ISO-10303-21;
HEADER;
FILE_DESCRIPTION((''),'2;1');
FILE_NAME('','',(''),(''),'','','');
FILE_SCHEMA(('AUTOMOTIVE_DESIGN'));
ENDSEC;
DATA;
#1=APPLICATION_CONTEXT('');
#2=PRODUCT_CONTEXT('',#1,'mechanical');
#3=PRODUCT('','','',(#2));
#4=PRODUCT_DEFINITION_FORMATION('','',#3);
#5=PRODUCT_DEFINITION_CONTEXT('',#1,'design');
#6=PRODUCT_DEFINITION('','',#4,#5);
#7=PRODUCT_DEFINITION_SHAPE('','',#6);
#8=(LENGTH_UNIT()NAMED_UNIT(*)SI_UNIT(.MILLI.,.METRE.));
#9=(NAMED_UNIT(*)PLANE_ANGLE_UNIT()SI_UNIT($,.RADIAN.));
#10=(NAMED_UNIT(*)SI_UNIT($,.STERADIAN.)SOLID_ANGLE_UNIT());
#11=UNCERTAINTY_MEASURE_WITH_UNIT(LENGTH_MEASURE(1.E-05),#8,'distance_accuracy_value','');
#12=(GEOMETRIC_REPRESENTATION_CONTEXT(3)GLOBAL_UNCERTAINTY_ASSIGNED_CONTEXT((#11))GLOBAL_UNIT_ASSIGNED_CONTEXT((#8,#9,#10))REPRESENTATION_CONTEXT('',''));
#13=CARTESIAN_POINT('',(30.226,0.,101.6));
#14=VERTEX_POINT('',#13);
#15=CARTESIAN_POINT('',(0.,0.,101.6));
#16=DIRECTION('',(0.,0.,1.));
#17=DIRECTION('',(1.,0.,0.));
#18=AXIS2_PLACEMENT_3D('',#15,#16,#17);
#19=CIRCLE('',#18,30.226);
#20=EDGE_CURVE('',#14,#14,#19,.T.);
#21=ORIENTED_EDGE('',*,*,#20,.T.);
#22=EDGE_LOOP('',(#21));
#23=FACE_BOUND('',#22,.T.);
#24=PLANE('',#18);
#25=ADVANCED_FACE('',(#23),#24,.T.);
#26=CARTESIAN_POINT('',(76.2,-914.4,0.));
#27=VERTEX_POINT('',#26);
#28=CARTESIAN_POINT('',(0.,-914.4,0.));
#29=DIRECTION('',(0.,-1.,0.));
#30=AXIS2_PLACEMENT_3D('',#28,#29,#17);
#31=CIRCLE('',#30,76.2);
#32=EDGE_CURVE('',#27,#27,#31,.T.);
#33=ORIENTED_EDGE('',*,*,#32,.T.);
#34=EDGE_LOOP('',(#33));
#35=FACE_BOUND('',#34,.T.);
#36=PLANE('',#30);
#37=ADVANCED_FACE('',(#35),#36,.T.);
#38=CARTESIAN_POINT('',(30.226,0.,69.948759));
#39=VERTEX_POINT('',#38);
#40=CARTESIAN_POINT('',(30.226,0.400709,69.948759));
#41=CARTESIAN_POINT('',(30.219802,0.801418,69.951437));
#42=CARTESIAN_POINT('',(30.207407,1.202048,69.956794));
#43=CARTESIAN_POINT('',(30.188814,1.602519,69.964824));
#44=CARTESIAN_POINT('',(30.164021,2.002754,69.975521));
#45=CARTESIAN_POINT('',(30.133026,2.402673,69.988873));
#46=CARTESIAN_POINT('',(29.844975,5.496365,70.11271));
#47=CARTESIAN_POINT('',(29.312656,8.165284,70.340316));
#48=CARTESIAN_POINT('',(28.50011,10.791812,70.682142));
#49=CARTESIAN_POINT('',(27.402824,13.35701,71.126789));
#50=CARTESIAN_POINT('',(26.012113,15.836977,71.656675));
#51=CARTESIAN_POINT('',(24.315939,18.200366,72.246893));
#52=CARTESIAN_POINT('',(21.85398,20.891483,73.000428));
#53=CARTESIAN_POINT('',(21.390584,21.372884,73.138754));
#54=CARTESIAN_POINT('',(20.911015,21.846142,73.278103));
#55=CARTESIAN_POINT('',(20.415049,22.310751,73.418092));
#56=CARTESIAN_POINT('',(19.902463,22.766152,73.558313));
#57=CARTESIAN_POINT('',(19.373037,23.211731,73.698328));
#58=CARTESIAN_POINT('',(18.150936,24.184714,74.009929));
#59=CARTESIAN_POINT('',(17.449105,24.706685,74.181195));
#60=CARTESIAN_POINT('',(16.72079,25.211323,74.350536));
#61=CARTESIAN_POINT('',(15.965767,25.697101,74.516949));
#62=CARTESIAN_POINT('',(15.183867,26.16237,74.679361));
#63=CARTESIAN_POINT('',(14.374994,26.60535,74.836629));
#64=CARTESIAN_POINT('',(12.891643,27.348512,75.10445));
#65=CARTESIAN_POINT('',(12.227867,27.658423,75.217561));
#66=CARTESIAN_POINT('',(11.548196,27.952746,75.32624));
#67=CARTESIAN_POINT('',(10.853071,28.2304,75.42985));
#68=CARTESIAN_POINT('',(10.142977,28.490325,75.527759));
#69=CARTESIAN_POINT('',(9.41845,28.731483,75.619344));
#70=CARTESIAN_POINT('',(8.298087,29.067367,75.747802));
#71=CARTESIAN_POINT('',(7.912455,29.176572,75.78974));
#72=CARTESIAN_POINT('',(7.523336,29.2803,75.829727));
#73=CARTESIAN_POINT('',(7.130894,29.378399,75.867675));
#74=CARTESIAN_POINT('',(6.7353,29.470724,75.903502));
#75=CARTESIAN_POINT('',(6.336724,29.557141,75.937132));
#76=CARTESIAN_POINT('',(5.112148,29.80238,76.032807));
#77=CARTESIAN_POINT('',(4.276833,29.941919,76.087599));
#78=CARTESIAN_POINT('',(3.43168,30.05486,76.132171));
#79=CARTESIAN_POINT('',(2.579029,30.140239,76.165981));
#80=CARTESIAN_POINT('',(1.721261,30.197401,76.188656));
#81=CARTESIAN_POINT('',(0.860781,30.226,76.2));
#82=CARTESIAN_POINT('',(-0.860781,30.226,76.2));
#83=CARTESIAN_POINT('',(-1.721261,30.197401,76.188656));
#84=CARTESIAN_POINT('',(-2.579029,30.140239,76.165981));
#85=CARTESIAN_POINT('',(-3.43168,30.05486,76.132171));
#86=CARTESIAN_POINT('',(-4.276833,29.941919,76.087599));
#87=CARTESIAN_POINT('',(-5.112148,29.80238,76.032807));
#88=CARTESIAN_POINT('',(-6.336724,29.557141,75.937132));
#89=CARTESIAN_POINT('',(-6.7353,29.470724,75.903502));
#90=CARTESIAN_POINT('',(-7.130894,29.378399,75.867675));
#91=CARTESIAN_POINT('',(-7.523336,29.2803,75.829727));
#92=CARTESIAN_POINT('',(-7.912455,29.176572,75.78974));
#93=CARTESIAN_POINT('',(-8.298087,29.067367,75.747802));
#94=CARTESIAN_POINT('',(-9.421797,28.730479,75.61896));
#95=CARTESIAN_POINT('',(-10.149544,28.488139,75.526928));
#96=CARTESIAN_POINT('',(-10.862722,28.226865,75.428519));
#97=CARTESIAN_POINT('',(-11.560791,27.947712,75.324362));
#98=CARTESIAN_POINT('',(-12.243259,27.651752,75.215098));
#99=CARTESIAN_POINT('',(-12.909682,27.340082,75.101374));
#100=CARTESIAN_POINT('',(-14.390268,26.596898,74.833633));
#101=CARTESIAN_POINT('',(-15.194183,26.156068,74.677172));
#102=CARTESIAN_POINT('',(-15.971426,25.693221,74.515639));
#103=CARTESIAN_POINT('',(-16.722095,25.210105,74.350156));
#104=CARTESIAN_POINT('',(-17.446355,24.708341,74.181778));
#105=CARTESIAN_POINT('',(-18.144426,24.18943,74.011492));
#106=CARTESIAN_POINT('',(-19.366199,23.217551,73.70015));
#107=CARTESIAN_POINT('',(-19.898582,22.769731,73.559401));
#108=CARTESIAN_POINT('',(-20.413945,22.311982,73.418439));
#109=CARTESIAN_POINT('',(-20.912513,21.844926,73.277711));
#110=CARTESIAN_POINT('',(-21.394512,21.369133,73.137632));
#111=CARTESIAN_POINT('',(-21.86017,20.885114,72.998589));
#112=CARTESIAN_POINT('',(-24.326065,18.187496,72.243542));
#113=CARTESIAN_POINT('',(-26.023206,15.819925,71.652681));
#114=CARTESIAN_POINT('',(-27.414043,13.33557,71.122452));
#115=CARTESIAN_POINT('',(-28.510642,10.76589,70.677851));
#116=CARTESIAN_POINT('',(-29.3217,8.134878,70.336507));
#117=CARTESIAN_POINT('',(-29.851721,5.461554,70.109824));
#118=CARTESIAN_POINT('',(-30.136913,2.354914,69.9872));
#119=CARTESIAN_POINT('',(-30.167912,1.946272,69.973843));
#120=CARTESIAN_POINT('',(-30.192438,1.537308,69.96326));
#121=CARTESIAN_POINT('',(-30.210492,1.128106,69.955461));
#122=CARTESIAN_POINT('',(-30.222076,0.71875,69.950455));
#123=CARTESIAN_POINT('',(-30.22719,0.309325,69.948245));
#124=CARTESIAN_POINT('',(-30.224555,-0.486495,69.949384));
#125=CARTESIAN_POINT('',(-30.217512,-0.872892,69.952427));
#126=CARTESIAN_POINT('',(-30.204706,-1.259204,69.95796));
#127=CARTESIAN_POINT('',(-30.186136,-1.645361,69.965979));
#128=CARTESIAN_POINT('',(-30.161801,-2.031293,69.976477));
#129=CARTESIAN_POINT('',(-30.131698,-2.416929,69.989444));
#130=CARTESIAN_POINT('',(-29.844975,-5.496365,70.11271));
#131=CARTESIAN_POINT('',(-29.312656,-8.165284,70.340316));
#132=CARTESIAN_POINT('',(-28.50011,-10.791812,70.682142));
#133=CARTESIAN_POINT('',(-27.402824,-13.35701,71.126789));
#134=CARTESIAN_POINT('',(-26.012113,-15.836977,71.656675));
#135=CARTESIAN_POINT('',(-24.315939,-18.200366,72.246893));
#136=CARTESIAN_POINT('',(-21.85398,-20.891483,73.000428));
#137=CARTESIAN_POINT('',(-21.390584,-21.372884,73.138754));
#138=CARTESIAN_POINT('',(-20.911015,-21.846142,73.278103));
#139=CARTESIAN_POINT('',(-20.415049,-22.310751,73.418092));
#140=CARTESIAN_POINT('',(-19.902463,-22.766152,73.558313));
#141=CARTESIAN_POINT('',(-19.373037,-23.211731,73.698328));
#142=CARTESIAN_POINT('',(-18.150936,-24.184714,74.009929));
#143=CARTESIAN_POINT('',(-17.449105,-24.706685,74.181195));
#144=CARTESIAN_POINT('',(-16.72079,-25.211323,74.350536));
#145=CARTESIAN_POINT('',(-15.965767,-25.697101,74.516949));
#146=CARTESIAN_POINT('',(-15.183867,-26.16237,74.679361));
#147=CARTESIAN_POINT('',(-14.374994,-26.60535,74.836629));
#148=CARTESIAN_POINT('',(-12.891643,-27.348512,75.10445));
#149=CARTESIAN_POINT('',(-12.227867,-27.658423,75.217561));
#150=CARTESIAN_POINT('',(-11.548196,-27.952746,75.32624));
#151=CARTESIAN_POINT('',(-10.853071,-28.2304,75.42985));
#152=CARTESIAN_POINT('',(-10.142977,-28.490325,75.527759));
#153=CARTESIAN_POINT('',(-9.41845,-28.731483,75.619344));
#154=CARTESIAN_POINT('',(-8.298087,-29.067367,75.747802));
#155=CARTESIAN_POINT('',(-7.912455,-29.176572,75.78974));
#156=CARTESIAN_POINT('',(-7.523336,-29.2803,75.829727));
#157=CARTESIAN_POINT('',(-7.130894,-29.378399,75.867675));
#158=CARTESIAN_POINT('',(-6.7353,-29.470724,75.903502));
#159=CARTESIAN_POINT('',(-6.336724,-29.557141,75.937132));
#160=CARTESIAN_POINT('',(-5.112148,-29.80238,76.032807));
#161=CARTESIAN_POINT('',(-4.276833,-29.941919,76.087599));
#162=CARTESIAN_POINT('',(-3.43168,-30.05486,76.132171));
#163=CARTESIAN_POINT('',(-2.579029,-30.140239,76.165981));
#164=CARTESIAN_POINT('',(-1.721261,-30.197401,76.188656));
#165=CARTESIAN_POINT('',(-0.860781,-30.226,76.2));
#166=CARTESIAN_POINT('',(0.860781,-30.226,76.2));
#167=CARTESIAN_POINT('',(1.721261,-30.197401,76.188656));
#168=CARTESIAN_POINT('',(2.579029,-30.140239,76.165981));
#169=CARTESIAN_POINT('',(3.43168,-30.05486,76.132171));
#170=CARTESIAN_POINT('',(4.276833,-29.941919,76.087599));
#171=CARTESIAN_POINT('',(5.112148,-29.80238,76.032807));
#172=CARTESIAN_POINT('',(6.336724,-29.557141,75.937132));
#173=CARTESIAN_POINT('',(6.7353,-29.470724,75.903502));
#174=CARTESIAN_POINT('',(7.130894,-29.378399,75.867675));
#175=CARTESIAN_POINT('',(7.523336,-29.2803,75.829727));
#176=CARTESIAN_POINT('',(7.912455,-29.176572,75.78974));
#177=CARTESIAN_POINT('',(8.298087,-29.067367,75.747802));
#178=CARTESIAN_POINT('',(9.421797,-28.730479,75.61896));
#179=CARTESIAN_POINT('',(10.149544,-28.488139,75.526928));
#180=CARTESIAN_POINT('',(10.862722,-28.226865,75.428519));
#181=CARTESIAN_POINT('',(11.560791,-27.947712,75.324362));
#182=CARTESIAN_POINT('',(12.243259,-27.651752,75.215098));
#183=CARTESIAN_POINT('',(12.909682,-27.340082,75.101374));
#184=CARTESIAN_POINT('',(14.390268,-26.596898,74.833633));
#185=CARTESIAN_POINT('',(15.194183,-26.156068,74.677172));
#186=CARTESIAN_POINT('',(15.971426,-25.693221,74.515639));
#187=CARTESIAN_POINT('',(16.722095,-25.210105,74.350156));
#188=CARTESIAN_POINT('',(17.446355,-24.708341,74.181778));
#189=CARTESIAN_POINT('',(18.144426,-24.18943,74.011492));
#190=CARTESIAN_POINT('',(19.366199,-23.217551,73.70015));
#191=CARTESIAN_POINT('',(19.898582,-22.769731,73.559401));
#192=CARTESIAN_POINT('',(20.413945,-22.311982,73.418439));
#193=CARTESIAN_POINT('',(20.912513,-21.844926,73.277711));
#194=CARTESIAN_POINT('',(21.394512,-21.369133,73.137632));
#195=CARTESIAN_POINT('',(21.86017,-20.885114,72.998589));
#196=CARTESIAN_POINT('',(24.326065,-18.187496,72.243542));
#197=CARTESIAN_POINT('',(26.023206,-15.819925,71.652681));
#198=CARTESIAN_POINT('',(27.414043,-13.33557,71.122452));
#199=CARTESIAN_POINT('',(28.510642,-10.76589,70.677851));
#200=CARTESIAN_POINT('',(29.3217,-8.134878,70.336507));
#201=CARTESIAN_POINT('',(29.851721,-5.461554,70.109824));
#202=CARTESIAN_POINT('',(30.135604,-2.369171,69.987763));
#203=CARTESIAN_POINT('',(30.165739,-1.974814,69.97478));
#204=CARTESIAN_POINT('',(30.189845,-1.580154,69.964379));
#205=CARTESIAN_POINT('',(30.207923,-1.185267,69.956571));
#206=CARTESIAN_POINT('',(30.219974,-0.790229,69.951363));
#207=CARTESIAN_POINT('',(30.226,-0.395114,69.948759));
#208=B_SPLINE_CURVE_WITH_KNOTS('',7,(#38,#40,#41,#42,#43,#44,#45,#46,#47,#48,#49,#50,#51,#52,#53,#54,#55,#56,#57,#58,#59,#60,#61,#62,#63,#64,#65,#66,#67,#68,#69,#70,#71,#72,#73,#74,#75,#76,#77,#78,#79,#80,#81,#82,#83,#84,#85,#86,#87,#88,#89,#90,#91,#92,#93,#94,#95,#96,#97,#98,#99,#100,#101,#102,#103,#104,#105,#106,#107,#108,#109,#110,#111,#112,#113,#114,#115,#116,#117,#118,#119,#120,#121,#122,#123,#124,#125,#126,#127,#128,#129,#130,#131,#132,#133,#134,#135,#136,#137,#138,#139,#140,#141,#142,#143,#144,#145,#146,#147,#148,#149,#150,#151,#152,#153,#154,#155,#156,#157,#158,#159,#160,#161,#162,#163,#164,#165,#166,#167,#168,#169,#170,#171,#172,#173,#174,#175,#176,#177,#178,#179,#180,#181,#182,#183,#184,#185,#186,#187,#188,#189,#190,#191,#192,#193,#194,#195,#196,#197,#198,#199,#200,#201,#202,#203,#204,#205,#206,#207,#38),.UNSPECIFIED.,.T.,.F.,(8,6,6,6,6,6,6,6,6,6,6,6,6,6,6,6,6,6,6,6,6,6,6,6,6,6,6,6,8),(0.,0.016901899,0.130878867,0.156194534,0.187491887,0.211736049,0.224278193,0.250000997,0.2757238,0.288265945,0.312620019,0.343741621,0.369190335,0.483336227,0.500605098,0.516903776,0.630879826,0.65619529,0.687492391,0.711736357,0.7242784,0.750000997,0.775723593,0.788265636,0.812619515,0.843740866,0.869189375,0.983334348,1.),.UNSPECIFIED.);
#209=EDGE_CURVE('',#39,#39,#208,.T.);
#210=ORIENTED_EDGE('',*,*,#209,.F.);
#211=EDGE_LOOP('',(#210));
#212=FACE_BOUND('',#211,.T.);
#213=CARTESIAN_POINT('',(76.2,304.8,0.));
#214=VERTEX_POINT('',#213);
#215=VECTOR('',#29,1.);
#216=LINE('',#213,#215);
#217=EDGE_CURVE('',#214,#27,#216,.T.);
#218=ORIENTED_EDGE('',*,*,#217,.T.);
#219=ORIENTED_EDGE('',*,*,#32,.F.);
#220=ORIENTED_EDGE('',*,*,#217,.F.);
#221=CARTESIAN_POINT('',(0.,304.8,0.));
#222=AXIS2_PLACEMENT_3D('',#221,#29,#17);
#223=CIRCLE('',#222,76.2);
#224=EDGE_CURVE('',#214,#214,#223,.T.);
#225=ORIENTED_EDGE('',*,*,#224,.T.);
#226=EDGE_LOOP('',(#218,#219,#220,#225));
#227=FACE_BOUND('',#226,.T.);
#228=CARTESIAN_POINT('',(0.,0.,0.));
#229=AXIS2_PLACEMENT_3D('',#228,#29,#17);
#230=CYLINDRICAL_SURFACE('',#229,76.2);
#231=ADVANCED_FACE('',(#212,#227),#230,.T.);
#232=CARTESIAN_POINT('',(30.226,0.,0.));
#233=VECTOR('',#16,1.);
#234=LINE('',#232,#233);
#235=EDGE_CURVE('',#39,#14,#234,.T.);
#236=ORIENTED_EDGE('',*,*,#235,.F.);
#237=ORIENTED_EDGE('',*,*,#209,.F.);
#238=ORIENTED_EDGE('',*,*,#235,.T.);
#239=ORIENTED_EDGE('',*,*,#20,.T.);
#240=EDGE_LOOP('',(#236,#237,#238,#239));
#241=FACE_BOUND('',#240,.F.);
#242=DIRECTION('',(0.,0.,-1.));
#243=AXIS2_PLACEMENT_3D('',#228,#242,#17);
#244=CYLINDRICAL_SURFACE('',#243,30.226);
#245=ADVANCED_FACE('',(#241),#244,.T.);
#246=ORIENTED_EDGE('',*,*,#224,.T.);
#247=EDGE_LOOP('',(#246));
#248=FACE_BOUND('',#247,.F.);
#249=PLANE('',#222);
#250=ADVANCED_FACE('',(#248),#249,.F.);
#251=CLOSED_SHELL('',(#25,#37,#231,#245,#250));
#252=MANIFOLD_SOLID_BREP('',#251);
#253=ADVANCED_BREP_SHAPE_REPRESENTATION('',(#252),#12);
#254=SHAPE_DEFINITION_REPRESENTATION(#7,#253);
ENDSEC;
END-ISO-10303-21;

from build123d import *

# Parameters (mm, degrees)
F0_R          = 76.2
F1_DEPTH      = 914.4
F1_DEPTH_BACK = 304.8
F2_R          = 30.226
F3_DEPTH      = 101.6


with BuildPart() as f1:
    # F0 (on Front) → F1 (new body, two sides)
    with BuildSketch(Plane.XZ) as f1_sk:
        Circle(F0_R)
    extrude(amount=F1_DEPTH)
    extrude(f1_sk.sketch, amount=-F1_DEPTH_BACK)

    # F2 (on Top) → F3 (join)
    with BuildSketch(Plane.XY):
        Circle(F2_R)
    extrude(amount=F3_DEPTH)


solid = f1.part
